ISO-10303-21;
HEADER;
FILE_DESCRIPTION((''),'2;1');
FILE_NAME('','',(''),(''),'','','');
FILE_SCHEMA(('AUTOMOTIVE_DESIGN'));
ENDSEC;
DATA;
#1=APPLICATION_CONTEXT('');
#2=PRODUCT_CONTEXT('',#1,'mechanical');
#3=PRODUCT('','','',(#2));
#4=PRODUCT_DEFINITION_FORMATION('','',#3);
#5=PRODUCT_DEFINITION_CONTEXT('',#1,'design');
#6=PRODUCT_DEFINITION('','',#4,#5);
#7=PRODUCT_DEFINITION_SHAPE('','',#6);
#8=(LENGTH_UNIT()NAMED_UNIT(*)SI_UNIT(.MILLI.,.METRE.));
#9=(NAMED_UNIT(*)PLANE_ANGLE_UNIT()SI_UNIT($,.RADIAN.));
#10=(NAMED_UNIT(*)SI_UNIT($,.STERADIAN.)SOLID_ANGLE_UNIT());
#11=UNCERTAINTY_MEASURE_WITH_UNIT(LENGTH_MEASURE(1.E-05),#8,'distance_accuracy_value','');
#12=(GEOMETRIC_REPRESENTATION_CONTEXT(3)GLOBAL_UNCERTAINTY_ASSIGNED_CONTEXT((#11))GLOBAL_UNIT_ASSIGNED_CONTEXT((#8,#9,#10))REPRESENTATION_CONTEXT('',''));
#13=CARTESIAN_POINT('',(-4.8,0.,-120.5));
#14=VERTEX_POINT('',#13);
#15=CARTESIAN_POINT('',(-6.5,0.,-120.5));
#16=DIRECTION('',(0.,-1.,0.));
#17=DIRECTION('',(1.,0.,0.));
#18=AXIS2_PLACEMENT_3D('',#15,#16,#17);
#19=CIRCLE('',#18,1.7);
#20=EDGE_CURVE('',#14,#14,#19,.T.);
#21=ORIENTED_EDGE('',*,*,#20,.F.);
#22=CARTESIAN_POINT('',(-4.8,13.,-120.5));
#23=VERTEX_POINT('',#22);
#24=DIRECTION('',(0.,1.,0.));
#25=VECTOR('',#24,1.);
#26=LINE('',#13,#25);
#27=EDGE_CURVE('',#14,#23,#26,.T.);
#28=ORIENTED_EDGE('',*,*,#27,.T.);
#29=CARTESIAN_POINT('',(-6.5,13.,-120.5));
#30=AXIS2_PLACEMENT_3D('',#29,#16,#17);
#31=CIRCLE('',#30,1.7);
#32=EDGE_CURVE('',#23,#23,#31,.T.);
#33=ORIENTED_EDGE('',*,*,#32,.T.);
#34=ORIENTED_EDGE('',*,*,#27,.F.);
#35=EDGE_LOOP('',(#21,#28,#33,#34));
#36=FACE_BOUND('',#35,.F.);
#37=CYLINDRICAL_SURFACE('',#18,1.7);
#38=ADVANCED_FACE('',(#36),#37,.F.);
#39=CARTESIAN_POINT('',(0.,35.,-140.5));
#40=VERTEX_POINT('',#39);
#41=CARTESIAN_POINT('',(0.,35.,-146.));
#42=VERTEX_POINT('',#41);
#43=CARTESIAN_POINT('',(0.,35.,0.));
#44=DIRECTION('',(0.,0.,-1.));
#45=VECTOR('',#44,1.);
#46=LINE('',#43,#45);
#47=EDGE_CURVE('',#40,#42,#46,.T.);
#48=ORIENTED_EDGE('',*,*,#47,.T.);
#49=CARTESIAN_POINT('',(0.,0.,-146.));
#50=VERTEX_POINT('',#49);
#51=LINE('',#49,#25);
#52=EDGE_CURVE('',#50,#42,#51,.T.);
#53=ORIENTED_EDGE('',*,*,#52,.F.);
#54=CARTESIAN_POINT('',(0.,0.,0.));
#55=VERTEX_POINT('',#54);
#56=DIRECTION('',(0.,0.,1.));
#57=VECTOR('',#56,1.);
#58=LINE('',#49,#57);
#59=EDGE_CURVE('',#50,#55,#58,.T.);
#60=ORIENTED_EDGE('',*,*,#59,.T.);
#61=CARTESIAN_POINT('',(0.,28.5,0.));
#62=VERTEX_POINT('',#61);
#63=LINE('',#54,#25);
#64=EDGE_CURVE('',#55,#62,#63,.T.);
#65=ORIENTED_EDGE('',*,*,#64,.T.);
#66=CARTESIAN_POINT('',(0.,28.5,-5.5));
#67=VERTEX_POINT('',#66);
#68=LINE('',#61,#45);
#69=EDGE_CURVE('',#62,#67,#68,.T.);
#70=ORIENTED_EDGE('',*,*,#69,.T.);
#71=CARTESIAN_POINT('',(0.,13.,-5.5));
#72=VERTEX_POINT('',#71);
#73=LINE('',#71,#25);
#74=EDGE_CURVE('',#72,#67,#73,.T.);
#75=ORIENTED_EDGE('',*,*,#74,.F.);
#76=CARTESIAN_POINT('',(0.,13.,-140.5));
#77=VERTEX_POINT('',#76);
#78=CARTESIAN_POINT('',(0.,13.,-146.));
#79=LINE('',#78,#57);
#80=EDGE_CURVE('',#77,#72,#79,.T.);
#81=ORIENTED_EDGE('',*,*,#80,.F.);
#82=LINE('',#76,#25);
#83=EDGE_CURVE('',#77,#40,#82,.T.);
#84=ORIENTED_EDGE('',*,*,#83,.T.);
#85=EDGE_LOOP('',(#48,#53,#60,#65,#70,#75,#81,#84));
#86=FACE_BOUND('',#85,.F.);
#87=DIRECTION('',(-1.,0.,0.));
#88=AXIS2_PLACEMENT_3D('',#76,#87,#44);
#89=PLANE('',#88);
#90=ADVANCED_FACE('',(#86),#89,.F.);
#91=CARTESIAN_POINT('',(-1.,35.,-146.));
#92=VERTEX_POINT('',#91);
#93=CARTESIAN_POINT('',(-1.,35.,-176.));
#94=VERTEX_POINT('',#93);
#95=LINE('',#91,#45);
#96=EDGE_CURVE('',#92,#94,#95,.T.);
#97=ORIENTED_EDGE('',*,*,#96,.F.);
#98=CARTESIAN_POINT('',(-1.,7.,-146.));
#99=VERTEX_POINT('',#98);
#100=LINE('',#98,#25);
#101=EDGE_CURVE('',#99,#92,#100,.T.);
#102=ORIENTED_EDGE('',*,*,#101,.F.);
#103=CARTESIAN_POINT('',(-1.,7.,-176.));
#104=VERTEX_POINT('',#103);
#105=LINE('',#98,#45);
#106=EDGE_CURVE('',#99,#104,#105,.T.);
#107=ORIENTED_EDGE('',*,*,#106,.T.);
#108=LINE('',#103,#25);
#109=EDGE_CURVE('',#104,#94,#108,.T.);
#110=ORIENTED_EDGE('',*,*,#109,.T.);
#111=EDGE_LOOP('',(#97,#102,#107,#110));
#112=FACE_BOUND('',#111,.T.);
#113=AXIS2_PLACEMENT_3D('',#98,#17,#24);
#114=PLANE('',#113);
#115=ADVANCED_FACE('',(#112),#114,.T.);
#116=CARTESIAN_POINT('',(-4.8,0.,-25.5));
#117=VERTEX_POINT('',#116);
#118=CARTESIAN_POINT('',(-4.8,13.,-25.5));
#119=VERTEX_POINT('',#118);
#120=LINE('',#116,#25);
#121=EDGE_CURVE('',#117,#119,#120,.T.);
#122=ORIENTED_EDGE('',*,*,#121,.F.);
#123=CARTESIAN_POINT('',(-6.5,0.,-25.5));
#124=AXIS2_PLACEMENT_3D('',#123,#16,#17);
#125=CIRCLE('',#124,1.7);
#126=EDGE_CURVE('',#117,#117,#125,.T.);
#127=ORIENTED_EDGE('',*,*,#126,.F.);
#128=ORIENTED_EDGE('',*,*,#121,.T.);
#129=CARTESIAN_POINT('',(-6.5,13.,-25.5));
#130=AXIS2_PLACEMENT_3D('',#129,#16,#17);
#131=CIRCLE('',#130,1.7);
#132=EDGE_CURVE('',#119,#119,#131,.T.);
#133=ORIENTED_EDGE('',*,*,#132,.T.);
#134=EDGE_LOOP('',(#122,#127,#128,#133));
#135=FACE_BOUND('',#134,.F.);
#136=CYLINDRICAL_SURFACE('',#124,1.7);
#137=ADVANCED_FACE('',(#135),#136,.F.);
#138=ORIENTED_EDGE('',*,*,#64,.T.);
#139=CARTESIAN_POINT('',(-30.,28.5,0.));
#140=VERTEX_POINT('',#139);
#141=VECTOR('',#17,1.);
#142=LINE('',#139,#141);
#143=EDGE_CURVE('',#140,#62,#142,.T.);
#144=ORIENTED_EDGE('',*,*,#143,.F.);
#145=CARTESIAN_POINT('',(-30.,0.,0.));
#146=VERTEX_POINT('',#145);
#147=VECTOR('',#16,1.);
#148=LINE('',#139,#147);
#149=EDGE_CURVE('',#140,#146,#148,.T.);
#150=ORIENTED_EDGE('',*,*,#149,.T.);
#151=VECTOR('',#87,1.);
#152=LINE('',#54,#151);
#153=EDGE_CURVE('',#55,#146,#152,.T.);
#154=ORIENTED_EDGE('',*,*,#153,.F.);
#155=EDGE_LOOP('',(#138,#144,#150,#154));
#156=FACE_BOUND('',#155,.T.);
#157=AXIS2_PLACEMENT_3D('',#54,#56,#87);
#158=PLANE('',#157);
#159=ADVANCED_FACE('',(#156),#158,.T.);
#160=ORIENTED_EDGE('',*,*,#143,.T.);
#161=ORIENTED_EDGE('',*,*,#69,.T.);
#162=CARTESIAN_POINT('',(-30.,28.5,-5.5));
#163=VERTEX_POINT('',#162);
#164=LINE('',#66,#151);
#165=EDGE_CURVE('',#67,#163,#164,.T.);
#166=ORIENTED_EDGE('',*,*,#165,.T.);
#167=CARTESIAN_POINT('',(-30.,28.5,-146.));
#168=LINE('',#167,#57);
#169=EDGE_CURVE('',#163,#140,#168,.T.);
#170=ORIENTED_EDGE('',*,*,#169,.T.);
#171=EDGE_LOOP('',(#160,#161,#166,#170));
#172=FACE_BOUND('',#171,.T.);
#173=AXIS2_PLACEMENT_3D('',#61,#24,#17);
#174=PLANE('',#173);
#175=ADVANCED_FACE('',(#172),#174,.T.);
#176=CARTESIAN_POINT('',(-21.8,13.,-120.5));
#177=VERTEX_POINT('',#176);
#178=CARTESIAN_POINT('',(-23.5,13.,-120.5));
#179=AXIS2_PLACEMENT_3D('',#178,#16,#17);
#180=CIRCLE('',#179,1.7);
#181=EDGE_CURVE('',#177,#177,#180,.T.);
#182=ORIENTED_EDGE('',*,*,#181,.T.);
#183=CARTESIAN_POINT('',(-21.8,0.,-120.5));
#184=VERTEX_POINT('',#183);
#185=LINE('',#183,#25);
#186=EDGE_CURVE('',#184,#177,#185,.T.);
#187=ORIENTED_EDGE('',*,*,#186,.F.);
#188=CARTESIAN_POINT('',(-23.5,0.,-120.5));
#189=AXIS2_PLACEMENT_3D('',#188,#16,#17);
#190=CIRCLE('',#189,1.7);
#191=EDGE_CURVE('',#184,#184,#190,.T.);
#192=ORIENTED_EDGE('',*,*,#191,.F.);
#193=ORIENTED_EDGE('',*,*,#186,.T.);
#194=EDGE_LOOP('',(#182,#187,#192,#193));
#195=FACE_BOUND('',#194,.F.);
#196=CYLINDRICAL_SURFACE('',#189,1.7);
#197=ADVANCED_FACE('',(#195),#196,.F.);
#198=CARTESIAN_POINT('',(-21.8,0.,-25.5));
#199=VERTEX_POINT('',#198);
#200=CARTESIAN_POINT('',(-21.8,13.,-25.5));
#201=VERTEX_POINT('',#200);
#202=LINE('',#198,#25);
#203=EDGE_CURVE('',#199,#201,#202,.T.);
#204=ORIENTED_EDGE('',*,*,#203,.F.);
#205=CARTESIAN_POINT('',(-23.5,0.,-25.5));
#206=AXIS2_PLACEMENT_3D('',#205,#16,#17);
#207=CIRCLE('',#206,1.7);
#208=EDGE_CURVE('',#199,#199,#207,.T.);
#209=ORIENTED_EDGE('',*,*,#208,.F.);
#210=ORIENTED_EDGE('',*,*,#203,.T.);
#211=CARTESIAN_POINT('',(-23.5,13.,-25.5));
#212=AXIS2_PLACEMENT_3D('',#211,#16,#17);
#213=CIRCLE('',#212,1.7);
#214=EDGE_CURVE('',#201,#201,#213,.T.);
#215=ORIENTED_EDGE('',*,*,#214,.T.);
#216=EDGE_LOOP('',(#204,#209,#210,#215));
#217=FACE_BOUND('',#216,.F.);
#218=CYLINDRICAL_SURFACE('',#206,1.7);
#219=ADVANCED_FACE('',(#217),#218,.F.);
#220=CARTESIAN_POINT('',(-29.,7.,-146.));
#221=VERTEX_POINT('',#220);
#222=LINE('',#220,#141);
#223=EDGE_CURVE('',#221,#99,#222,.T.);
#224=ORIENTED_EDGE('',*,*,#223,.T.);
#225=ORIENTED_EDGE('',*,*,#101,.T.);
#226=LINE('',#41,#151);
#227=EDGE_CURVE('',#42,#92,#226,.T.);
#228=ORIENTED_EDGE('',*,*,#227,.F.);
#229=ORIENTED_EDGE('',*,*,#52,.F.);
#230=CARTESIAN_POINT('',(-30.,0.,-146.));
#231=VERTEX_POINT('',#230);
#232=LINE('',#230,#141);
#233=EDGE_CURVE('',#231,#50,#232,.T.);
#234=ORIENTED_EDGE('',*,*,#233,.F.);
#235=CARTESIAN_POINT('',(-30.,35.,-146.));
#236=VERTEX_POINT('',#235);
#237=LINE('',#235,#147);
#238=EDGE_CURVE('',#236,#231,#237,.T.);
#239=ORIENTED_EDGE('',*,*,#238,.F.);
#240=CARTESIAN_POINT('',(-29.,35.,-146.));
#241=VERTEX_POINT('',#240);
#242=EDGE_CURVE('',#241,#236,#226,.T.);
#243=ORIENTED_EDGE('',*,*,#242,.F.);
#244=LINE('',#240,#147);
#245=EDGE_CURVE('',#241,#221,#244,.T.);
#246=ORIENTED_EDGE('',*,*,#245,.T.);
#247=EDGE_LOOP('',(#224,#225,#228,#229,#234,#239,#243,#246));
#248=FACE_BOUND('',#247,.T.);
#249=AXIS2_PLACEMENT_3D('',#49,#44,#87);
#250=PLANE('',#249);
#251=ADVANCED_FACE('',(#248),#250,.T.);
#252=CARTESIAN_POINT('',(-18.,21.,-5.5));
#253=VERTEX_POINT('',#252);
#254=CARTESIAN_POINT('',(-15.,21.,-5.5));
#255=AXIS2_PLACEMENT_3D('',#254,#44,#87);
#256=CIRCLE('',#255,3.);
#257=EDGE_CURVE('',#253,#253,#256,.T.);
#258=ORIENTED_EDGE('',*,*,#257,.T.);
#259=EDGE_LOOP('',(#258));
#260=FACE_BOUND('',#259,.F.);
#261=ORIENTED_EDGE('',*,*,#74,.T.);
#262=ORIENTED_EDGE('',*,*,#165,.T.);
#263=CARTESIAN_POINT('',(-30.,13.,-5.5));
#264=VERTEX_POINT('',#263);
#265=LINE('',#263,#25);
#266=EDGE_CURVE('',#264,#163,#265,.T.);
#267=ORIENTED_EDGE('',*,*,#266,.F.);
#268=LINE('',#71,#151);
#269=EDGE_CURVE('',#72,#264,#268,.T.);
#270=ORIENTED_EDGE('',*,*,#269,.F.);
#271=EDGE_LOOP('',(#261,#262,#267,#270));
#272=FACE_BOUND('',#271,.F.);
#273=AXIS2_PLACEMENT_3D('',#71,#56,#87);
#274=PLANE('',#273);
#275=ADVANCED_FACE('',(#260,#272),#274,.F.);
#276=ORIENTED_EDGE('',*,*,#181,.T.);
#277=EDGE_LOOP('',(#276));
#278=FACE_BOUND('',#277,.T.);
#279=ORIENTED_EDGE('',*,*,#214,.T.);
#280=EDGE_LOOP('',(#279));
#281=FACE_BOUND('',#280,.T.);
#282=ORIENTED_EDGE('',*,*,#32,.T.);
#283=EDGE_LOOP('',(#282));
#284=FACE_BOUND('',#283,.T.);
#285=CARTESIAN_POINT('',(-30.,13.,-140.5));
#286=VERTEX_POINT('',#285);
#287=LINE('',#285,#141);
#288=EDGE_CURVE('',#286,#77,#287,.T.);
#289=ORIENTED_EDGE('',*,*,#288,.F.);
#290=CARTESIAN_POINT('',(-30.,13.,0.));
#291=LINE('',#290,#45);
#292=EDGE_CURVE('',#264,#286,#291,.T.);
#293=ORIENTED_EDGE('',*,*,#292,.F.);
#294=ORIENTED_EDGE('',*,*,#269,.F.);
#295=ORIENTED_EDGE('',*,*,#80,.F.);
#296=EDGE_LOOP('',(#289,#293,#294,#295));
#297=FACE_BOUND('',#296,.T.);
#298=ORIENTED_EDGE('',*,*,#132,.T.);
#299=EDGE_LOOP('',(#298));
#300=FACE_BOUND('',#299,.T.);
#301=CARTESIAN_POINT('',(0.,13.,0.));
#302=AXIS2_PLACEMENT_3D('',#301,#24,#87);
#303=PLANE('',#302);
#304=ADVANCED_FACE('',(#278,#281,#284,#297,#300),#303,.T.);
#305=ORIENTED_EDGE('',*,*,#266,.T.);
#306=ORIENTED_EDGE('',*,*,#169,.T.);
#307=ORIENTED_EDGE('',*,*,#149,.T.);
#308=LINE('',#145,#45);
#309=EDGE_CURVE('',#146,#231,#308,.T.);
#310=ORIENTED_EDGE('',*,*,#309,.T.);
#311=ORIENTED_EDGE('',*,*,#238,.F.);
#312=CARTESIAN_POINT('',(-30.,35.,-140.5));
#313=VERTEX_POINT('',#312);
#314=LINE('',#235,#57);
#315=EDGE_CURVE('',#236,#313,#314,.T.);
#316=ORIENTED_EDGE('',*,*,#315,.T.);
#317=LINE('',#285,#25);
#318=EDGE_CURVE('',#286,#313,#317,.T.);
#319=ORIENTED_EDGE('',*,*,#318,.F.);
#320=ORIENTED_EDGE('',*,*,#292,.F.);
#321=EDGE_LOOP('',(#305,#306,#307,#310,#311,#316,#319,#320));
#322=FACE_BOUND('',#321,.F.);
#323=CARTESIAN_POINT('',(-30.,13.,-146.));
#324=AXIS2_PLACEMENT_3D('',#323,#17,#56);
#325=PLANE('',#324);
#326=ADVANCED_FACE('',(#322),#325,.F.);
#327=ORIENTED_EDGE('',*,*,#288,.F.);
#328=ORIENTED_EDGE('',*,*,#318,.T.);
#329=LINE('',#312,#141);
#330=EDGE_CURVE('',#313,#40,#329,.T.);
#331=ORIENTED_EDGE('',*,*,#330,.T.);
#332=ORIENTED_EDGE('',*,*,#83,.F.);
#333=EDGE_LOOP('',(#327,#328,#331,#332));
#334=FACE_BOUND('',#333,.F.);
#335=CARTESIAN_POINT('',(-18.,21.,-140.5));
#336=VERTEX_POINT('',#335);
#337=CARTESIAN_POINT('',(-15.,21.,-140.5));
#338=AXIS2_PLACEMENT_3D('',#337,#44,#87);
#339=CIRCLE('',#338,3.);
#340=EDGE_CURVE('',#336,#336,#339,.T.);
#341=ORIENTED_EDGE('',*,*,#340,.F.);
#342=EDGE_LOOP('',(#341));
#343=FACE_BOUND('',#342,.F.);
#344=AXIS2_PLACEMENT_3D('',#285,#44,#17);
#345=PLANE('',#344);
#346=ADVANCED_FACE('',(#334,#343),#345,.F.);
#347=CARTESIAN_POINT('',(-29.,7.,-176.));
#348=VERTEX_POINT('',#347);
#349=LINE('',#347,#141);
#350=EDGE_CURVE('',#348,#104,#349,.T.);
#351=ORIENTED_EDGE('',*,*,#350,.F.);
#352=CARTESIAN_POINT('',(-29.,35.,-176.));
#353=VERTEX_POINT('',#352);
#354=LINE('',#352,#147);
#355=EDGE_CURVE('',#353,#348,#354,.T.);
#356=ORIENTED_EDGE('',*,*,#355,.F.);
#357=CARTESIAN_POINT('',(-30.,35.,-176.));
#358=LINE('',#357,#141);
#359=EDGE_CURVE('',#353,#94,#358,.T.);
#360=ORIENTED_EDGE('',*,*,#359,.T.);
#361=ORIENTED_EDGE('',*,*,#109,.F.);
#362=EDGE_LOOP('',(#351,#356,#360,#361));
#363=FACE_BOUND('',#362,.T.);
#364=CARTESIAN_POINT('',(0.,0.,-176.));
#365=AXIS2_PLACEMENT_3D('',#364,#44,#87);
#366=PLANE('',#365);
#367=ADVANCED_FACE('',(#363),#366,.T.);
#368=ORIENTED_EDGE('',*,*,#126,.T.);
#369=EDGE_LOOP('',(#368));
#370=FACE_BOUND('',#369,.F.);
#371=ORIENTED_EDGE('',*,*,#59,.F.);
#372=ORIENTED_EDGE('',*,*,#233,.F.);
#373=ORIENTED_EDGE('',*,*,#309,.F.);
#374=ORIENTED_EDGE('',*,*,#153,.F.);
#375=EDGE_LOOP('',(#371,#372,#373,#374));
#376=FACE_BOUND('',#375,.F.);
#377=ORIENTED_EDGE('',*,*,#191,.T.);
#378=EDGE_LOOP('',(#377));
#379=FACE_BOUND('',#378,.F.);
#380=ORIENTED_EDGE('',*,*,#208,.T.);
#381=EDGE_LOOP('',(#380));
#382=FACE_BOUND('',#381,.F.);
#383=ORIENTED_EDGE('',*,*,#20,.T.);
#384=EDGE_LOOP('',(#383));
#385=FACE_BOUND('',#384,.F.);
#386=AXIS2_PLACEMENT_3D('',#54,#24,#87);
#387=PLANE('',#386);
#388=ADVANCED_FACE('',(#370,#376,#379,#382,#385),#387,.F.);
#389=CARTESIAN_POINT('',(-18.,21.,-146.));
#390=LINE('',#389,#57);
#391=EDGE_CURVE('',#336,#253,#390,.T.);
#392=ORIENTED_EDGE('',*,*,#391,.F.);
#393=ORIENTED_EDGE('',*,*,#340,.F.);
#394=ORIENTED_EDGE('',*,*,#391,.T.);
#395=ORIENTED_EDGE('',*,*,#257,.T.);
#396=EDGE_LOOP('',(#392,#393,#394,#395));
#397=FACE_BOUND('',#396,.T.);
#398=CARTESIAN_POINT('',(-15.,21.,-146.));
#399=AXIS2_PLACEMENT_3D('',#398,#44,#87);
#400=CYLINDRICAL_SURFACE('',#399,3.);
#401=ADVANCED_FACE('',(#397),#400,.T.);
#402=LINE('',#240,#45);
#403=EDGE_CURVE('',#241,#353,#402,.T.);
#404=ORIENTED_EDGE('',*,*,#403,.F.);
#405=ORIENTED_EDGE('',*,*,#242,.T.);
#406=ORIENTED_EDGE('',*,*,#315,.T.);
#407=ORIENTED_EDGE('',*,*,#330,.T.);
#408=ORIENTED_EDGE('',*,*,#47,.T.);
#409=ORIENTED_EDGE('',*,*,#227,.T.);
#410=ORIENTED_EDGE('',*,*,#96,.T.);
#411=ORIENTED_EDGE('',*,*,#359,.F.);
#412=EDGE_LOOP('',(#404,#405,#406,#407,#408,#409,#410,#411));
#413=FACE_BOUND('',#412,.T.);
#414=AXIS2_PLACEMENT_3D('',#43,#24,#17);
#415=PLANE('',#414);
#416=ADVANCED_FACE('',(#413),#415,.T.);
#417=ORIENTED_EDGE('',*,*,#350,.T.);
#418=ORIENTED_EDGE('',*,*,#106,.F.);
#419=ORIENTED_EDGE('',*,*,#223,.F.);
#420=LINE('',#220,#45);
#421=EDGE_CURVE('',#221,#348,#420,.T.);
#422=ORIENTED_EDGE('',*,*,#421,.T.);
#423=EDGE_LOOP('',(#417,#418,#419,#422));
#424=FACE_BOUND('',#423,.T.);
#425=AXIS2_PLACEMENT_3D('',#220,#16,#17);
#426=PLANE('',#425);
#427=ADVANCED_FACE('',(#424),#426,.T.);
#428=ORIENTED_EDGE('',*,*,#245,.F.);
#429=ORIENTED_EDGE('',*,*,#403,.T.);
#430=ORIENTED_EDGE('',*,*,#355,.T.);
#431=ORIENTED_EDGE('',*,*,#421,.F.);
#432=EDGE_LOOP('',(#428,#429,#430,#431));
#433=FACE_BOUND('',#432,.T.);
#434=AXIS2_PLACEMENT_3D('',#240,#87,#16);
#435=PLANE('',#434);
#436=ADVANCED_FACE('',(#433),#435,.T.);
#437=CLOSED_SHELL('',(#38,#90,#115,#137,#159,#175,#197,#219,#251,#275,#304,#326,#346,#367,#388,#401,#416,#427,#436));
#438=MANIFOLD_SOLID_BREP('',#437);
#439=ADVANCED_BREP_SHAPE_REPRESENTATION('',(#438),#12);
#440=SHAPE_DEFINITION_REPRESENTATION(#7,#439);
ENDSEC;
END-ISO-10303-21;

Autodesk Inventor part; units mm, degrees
ref_plane "YZ Plane" through (0, 0, 0) normal (1, 0, 0) x (0, 1, 0)
ref_plane "XZ Plane" through (0, 0, 0) normal (0, 1, 0) x (-1, 0, 0)
ref_plane "XY Plane" through (0, 0, 0) normal (0, 0, 1) x (1, 0, 0)
sketch "Sketch1" plane through (0, 0, 0) normal (0, 1, 0) x (-1, 0, 0)
  line L0 (0, 0) -> (30, 0)
  line L1 (30, 0) -> (30, -146)
  line L2 (30, -146) -> (0, -146)
  line L3 (0, -146) -> (0, 0)
  dimension "d0" = 30
  dimension "d1" = 146
extrude "Extrusion1" add sketch "Sketch1" along normal blind 13
sketch "Sketch2" plane through (0, 13, 0) normal (0, 1, 0) x (1, 0, 0)
  line L0 (-30, 146) -> (-30, 0) projected
  line L1 (0, 0) -> (0, 146) projected
  line L2 (-30, 0) -> (0, 0)
  line L3 (0, 0) -> (0, 5.5)
  line L4 (0, 5.5) -> (-30, 5.5)
  line L5 (-30, 5.5) -> (-30, 0)
  line L6 (0, 146) -> (-30, 146)
  line L7 (-30, 146) -> (-30, 140.5)
  line L8 (-30, 140.5) -> (0, 140.5)
  line L9 (0, 140.5) -> (0, 146)
  line L10 (-30, 146) -> (0, 146)
  line L11 (0, 146) -> (0, 140.5)
  line L12 (0, 140.5) -> (-30, 140.5)
  line L13 (-30, 140.5) -> (-30, 146)
  dimension "d4" = 5.5
  dimension "d5" = 5.5
extrude "Extrusion2" add sketch "Sketch2" along normal blind 15.5 contours L4 L1 L2 L0
sketch "Sketch4" plane through (0, 13, 0) normal (0, 1, 0) x (1, 0, 0)
  line L0 (0, 0) -> (0, 146) projected
  line L1 (-30, 146) -> (-30, 0) projected
  line L2 (0, 146) -> (-30, 146)
  line L3 (-30, 146) -> (-30, 140.5)
  line L4 (-30, 140.5) -> (0, 140.5)
  line L5 (0, 140.5) -> (0, 146)
  point P0 (0, 140.5)
  dimension "d8" = 5.5
extrude "Extrusion3" add sketch "Sketch4" along normal blind 22
sketch "Sketch6" plane through (0, 0, -146) normal (0, 0, -1) x (-1, 0, 0)
  line L0 (30, 35) -> (0, 35) construction
  line L1 (30, 0) -> (30, 28.5) projected
  line L2 (0, 35) -> (30, 35) construction
  line L3 (30, 35) -> (30, 7) construction
  line L4 (30, 7) -> (0, 7) construction
  line L5 (0, 7) -> (0, 35) construction
  line L6 (0, 7) -> (30, 35) construction
  line L7 (0, 35) -> (30, 7) construction
  circle A0 centre (15, 21) radius 3
  point P0 (0, 0)
  dimension "d11" = 28
  dimension "d12" = 6
extrude "Extrusion4" add sketch "Sketch6" against normal up to surface (140.5 mm away)
sketch "Sketch7" plane through (0, 0, -146) normal (0, 0, -1) x (-1, 0, 0)
  line L0 (30, 0) -> (30, 28.5) projected
  line L1 (30, 35) -> (0, 35) projected
  line L2 (1, 35) -> (29, 35)
  line L3 (29, 35) -> (29, 7)
  line L4 (29, 7) -> (1, 7)
  line L5 (1, 7) -> (1, 35)
  point P0 (0, 0)
  point P1 (15, 35)
  dimension "d15" = 28
extrude "Extrusion5" add sketch "Sketch7" along normal blind 30
sketch "Sketch8" plane through (0, 0, 0) normal (0, -1, 0) x (1, 0, 0)
  circle A0 centre (-6.5, -120.5) radius 1.7
  circle A1 centre (-23.5, -120.5) radius 1.7
  circle A2 centre (-6.5, -25.5) radius 1.7
  circle A3 centre (-23.5, -25.5) radius 1.7
  line L0 (0, 0) -> (0, -146) projected
  line L1 (-30, 0) -> (0, 0) projected
  line L2 (-30, -146) -> (-30, 0) projected
  line L3 (0, -146) -> (-30, -146) projected
  dimension "d18" = 3.4
  dimension "d19" = 95
  dimension "d20" = 6.5
  dimension "d21" = 25.5
  dimension "d22" = 6.5
  dimension "d25" = 17
  dimension "d26" = 25.5
extrude "Extrusion6" cut sketch "Sketch8" against normal blind 30 contours A0 | A1 | A2 | A3
equation "\"d5\" = d4"
equation "\"d22\" = d20"
properties part number "AE_100MM_STAGE"
